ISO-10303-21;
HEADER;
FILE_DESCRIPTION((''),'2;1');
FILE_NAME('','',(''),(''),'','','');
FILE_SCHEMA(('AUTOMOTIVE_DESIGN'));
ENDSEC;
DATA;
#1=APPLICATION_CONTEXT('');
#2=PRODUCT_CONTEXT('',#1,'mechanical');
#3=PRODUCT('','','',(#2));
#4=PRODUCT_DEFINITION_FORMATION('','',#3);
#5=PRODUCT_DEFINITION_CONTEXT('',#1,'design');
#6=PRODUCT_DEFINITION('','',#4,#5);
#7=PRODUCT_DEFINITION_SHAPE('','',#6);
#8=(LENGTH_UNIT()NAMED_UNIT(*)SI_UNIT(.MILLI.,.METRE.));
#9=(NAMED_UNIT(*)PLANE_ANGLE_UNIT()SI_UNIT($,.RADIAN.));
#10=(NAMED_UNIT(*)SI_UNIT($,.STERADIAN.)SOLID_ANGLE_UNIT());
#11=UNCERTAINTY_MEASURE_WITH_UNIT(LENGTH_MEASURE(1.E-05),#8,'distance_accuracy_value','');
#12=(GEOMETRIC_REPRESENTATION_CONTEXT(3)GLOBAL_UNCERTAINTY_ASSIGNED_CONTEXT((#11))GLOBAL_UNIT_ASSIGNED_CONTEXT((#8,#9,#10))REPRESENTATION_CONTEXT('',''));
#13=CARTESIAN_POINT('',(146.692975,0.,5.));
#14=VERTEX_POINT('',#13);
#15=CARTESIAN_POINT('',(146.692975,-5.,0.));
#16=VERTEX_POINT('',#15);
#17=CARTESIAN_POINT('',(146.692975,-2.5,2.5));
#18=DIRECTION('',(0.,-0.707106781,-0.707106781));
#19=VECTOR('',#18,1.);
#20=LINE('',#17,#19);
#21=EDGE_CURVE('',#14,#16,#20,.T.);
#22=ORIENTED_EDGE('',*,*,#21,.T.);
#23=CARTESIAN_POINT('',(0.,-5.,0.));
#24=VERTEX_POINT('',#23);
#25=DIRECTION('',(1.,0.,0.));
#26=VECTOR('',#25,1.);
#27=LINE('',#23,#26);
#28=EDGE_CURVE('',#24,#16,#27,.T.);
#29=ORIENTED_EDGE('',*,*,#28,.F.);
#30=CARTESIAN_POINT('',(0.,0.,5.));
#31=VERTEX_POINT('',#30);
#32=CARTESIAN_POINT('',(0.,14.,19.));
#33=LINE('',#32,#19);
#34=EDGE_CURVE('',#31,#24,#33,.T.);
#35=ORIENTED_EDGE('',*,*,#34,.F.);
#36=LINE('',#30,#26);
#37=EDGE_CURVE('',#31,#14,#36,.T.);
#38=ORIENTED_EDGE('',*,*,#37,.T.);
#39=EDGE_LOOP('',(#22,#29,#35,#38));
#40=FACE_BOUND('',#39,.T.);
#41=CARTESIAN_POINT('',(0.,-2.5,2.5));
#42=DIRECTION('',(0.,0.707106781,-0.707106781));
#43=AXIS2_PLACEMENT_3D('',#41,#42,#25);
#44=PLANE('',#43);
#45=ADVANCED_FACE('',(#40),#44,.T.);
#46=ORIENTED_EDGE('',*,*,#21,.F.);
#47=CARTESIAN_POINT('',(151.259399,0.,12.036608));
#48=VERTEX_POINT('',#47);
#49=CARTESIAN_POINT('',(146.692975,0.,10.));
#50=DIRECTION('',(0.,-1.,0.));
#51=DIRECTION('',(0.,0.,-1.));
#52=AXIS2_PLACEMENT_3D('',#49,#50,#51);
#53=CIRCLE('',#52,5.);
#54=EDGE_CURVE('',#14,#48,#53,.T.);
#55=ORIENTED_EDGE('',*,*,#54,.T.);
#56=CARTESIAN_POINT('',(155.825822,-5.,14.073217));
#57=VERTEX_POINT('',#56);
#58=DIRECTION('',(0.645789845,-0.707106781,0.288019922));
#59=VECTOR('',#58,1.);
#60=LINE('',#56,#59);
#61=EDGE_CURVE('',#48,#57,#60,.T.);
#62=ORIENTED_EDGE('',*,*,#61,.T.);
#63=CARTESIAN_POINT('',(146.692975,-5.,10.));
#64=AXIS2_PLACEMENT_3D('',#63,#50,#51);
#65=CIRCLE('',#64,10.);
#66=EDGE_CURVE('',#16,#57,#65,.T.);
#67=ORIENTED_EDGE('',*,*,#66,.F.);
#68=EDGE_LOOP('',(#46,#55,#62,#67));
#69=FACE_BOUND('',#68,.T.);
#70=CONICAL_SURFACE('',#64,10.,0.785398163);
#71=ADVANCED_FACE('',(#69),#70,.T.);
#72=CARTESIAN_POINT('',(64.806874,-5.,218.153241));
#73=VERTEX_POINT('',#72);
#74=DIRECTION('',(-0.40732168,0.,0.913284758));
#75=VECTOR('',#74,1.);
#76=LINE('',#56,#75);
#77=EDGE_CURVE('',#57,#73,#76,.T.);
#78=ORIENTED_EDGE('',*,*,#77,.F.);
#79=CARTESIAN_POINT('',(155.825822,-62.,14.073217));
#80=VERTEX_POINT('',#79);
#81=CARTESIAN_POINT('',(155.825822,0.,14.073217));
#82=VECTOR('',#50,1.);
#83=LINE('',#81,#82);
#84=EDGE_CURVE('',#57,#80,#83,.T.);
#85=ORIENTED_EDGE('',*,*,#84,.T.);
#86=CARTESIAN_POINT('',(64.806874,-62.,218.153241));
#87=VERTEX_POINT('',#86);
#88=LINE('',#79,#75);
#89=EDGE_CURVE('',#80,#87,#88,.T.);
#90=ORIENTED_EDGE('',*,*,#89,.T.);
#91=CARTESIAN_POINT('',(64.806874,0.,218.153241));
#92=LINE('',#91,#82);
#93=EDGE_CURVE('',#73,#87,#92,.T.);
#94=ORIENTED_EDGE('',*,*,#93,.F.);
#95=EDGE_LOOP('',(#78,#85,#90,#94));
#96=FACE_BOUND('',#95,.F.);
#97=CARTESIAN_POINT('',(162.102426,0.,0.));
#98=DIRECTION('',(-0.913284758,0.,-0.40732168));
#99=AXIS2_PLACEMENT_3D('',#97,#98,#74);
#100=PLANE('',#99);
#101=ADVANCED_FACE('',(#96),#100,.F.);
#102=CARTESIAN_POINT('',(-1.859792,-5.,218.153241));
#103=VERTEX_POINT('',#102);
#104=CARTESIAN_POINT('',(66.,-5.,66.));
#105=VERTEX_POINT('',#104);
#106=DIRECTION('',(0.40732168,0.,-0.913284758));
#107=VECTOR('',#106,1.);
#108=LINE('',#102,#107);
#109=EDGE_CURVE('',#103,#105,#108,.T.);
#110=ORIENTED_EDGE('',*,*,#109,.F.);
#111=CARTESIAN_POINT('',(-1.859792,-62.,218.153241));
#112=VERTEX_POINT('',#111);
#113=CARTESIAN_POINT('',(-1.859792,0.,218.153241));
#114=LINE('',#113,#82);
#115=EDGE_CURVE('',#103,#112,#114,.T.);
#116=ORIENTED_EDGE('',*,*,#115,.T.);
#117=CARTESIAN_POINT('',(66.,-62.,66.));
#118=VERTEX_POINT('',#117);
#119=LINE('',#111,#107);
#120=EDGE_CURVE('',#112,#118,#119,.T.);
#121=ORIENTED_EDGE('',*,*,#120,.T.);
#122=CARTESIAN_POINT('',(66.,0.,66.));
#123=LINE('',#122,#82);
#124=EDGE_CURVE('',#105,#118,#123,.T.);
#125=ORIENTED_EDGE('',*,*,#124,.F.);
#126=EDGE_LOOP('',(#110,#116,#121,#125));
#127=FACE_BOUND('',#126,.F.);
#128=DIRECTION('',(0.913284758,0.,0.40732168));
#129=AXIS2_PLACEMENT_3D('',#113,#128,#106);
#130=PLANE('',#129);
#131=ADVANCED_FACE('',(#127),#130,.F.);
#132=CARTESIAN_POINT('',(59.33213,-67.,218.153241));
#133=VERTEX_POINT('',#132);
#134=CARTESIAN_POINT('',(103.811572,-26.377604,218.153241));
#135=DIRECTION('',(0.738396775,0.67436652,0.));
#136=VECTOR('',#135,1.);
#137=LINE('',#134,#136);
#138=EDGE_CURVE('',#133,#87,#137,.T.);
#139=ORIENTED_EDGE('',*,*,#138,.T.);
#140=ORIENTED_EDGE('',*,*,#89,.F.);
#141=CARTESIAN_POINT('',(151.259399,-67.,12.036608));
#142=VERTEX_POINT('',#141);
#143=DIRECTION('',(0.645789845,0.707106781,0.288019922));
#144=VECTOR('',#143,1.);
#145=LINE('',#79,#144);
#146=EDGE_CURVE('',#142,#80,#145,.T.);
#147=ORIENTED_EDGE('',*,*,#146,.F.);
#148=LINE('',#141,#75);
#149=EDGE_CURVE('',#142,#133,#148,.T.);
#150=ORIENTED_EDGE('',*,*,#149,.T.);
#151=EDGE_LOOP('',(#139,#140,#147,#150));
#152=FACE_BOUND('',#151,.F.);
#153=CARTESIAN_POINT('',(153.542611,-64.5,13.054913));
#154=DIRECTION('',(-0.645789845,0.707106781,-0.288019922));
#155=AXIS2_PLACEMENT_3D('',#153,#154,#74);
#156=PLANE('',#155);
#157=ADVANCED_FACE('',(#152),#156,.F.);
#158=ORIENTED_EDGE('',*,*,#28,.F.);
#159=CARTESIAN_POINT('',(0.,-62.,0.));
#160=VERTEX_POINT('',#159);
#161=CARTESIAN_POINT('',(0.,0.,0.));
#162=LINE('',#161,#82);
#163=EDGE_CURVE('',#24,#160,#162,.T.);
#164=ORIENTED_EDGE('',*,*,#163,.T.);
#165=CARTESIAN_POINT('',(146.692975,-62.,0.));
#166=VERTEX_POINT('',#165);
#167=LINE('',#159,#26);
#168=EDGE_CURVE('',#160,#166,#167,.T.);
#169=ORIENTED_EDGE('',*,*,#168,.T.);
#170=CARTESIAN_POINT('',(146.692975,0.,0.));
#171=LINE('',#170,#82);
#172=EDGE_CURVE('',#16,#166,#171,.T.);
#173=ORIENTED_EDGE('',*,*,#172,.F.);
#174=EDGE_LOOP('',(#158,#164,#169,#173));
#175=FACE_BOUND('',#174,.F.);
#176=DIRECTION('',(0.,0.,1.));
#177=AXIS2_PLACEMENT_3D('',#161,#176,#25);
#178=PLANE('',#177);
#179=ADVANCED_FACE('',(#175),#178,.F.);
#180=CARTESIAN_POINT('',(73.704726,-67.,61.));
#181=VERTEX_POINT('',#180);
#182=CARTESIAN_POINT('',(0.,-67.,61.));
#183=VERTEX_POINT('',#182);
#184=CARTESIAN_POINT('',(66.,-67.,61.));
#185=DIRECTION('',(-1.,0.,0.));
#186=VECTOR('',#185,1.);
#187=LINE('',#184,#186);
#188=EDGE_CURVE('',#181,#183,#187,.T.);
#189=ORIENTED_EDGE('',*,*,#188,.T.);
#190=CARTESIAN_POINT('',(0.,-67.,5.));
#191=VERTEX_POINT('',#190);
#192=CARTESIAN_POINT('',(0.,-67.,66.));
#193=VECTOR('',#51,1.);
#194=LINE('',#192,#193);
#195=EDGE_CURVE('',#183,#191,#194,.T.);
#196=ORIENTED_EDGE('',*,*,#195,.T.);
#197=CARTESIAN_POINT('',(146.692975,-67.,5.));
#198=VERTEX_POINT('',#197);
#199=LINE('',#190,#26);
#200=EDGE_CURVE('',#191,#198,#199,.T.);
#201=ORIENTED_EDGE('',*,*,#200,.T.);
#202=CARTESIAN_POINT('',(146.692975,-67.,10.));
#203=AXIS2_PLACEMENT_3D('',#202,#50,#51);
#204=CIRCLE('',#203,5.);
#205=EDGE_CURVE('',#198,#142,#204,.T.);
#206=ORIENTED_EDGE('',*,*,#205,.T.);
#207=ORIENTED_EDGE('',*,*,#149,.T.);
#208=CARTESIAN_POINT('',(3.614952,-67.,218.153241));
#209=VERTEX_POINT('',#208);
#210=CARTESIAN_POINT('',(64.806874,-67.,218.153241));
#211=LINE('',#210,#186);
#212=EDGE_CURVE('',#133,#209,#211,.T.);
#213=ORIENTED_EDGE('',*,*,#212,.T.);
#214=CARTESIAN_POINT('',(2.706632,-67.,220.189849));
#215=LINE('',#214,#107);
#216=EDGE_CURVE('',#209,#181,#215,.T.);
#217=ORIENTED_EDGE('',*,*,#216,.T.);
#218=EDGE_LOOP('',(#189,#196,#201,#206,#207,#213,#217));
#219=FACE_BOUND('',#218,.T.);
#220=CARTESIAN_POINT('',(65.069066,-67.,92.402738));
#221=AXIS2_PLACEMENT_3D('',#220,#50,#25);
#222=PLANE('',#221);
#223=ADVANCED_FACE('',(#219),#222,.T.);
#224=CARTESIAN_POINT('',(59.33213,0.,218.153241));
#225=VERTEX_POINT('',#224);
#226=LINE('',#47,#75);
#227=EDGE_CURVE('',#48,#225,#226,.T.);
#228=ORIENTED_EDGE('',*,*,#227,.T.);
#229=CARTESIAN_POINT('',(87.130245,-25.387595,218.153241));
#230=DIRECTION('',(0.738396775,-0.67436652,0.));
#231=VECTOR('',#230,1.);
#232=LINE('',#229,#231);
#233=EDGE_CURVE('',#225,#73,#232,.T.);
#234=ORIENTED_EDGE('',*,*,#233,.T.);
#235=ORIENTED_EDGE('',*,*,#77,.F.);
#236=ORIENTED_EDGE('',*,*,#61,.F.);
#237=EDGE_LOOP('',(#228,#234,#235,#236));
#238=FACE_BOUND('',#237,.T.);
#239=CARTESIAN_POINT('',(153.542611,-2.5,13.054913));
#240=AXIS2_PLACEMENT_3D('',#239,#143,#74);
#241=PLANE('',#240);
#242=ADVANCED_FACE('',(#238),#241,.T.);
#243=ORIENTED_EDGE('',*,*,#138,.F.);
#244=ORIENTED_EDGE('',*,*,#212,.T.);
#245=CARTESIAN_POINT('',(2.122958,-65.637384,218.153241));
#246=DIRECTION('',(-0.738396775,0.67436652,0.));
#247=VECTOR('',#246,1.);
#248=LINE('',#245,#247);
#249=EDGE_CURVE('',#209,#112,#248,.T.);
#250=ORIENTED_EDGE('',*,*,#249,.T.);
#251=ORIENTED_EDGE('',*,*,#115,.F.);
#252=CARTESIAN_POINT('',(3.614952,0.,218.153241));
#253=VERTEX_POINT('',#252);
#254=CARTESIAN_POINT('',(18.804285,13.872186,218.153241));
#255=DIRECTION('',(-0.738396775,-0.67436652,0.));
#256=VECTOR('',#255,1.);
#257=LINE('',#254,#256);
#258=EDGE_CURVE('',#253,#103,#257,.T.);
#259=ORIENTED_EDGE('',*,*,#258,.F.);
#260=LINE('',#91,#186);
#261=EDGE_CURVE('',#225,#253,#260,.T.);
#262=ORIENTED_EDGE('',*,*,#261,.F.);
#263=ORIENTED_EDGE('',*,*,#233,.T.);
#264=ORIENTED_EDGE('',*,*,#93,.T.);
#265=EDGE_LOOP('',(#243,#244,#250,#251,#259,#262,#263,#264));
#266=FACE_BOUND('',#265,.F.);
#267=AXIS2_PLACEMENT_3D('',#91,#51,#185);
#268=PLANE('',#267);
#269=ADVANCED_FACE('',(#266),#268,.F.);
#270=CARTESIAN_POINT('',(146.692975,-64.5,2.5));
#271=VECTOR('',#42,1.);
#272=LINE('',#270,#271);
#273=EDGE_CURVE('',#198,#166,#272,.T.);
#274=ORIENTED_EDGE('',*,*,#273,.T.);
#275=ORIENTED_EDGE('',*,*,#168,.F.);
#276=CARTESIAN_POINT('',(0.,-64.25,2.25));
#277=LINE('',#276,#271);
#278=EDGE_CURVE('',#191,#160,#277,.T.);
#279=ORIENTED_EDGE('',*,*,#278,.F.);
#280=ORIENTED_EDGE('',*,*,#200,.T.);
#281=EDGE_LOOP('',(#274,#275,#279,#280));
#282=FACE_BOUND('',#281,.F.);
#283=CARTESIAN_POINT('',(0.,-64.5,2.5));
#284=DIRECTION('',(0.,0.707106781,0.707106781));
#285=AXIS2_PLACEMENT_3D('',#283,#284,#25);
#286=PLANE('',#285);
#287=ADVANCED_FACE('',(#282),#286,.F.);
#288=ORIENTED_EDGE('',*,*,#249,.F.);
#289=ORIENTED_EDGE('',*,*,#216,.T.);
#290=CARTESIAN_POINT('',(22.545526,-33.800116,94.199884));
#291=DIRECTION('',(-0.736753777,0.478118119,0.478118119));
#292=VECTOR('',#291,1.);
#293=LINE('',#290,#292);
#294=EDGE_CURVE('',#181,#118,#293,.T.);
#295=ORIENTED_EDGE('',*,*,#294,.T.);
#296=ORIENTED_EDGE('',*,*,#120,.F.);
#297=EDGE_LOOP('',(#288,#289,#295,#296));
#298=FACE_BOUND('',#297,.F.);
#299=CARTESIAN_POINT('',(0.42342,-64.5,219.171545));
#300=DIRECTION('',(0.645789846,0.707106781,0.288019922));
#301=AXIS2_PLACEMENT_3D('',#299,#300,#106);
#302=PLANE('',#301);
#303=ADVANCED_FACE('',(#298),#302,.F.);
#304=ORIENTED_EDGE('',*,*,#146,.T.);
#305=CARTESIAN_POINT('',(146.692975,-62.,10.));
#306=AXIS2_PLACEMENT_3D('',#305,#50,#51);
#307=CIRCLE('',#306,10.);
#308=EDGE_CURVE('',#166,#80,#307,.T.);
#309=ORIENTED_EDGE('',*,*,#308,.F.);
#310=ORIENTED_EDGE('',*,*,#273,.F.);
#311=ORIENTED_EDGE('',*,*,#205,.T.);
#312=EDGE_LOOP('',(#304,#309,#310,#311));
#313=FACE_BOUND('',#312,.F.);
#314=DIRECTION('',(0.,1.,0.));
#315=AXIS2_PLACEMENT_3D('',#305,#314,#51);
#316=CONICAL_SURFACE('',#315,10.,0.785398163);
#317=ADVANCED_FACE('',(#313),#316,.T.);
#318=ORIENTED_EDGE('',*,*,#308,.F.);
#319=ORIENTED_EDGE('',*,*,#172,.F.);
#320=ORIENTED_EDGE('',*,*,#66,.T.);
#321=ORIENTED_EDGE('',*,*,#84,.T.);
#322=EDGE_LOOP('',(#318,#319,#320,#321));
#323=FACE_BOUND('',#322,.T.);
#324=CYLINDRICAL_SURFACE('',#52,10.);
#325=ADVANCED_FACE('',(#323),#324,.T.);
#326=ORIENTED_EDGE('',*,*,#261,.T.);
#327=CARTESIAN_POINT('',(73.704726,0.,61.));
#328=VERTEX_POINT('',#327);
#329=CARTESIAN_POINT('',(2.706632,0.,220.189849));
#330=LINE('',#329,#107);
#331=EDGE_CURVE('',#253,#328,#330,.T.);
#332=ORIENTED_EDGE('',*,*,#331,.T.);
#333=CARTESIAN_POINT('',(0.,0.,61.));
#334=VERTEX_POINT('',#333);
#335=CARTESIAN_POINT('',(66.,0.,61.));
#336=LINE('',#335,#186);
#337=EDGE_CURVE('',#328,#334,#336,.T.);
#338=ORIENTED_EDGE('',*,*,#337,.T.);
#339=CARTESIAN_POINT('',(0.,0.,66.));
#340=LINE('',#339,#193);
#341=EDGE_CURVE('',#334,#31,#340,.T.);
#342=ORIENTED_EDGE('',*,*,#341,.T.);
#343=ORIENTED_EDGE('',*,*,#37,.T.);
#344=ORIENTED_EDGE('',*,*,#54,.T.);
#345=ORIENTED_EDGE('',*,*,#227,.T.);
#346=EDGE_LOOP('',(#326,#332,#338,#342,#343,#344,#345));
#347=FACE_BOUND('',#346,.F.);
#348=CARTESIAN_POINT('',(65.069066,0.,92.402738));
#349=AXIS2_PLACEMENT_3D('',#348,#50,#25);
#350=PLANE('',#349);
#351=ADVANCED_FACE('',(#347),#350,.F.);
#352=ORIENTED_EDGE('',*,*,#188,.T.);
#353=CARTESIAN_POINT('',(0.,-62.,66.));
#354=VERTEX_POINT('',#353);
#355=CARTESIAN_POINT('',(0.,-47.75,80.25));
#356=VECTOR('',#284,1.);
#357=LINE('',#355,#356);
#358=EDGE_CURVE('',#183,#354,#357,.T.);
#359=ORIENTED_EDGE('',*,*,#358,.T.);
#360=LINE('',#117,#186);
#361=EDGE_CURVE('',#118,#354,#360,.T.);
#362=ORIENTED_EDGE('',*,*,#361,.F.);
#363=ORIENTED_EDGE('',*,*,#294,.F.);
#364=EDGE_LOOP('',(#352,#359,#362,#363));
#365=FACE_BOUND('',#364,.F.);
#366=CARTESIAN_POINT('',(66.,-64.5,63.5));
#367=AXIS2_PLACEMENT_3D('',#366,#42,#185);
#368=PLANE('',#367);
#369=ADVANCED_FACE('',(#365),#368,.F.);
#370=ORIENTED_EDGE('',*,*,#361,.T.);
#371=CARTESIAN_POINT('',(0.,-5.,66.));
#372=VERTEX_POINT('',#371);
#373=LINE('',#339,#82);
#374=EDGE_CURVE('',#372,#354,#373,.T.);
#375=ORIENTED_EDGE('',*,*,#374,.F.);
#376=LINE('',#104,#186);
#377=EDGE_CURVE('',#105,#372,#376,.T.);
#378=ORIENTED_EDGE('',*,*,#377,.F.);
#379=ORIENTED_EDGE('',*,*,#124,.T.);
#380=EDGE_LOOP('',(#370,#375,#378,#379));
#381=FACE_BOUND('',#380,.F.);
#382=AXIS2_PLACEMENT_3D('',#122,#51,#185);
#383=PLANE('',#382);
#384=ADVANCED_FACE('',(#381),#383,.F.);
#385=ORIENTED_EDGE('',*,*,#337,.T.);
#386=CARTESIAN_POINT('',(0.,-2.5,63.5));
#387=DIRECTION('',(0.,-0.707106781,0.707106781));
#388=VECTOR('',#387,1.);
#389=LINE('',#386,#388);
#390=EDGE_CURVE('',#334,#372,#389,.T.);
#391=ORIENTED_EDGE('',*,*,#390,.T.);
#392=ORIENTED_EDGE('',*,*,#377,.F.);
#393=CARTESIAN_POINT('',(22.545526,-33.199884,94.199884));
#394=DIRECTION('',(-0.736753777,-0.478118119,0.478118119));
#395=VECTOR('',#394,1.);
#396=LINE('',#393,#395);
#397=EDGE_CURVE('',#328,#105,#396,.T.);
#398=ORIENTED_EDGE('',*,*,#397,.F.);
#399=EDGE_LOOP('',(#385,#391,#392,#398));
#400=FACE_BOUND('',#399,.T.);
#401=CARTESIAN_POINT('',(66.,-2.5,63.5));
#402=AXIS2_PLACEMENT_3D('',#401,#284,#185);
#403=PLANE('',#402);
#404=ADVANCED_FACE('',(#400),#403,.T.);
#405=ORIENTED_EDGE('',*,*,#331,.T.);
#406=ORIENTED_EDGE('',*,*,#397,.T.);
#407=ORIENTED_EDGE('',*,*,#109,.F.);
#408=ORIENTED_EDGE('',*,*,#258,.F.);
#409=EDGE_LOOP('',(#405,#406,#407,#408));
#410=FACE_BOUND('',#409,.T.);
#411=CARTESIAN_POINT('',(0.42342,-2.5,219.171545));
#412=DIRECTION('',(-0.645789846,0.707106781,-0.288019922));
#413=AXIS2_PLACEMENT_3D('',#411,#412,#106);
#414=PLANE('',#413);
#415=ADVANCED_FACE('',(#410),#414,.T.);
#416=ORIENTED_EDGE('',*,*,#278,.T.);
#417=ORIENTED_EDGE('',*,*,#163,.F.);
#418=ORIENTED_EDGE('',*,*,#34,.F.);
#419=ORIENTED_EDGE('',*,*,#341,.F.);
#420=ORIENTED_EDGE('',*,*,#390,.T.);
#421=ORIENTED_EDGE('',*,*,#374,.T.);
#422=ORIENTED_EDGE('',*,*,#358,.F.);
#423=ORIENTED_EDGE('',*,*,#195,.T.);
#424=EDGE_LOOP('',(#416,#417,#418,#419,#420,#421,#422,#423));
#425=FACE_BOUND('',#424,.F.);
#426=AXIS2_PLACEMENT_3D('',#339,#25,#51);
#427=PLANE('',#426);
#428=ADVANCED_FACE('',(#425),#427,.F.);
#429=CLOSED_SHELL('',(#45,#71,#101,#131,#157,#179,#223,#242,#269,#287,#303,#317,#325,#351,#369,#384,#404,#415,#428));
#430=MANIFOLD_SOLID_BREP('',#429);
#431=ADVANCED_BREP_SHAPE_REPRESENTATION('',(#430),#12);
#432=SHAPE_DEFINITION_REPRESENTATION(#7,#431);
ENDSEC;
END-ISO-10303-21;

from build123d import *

# Parameters (mm, degrees)
F1_DEPTH = 67
F2_R     = 10
F3_SIZE  = 5


with BuildPart() as f1:
    # F0 (on Front) → F1 (new body)
    with BuildSketch(Plane.XZ):
        Polygon((66, 66), (0, 66), (0, 0), (162.102426, 0), (64.806874, 218.153241), (-1.859792, 218.153241), align=None)
    extrude(amount=F1_DEPTH)

    # F2
    f2_edges = [f1.edges().sort_by_distance(p)[0] for p in [
        (162.102426, -33.5, 0),
    ]]
    fillet(f2_edges, radius=F2_R)

    # F3
    f3_edges = [f1.edges().sort_by_distance(p)[0] for p in [
        (110.316348, -67, 116.113229),
        (110.316348, 0, 116.113229),
        (32.070104, -67, 142.07662),
        (32.070104, 0, 142.07662),
        (33, 0, 66),
        (33, -67, 66),
    ]]
    chamfer(f3_edges, length=F3_SIZE)


solid = f1.part
